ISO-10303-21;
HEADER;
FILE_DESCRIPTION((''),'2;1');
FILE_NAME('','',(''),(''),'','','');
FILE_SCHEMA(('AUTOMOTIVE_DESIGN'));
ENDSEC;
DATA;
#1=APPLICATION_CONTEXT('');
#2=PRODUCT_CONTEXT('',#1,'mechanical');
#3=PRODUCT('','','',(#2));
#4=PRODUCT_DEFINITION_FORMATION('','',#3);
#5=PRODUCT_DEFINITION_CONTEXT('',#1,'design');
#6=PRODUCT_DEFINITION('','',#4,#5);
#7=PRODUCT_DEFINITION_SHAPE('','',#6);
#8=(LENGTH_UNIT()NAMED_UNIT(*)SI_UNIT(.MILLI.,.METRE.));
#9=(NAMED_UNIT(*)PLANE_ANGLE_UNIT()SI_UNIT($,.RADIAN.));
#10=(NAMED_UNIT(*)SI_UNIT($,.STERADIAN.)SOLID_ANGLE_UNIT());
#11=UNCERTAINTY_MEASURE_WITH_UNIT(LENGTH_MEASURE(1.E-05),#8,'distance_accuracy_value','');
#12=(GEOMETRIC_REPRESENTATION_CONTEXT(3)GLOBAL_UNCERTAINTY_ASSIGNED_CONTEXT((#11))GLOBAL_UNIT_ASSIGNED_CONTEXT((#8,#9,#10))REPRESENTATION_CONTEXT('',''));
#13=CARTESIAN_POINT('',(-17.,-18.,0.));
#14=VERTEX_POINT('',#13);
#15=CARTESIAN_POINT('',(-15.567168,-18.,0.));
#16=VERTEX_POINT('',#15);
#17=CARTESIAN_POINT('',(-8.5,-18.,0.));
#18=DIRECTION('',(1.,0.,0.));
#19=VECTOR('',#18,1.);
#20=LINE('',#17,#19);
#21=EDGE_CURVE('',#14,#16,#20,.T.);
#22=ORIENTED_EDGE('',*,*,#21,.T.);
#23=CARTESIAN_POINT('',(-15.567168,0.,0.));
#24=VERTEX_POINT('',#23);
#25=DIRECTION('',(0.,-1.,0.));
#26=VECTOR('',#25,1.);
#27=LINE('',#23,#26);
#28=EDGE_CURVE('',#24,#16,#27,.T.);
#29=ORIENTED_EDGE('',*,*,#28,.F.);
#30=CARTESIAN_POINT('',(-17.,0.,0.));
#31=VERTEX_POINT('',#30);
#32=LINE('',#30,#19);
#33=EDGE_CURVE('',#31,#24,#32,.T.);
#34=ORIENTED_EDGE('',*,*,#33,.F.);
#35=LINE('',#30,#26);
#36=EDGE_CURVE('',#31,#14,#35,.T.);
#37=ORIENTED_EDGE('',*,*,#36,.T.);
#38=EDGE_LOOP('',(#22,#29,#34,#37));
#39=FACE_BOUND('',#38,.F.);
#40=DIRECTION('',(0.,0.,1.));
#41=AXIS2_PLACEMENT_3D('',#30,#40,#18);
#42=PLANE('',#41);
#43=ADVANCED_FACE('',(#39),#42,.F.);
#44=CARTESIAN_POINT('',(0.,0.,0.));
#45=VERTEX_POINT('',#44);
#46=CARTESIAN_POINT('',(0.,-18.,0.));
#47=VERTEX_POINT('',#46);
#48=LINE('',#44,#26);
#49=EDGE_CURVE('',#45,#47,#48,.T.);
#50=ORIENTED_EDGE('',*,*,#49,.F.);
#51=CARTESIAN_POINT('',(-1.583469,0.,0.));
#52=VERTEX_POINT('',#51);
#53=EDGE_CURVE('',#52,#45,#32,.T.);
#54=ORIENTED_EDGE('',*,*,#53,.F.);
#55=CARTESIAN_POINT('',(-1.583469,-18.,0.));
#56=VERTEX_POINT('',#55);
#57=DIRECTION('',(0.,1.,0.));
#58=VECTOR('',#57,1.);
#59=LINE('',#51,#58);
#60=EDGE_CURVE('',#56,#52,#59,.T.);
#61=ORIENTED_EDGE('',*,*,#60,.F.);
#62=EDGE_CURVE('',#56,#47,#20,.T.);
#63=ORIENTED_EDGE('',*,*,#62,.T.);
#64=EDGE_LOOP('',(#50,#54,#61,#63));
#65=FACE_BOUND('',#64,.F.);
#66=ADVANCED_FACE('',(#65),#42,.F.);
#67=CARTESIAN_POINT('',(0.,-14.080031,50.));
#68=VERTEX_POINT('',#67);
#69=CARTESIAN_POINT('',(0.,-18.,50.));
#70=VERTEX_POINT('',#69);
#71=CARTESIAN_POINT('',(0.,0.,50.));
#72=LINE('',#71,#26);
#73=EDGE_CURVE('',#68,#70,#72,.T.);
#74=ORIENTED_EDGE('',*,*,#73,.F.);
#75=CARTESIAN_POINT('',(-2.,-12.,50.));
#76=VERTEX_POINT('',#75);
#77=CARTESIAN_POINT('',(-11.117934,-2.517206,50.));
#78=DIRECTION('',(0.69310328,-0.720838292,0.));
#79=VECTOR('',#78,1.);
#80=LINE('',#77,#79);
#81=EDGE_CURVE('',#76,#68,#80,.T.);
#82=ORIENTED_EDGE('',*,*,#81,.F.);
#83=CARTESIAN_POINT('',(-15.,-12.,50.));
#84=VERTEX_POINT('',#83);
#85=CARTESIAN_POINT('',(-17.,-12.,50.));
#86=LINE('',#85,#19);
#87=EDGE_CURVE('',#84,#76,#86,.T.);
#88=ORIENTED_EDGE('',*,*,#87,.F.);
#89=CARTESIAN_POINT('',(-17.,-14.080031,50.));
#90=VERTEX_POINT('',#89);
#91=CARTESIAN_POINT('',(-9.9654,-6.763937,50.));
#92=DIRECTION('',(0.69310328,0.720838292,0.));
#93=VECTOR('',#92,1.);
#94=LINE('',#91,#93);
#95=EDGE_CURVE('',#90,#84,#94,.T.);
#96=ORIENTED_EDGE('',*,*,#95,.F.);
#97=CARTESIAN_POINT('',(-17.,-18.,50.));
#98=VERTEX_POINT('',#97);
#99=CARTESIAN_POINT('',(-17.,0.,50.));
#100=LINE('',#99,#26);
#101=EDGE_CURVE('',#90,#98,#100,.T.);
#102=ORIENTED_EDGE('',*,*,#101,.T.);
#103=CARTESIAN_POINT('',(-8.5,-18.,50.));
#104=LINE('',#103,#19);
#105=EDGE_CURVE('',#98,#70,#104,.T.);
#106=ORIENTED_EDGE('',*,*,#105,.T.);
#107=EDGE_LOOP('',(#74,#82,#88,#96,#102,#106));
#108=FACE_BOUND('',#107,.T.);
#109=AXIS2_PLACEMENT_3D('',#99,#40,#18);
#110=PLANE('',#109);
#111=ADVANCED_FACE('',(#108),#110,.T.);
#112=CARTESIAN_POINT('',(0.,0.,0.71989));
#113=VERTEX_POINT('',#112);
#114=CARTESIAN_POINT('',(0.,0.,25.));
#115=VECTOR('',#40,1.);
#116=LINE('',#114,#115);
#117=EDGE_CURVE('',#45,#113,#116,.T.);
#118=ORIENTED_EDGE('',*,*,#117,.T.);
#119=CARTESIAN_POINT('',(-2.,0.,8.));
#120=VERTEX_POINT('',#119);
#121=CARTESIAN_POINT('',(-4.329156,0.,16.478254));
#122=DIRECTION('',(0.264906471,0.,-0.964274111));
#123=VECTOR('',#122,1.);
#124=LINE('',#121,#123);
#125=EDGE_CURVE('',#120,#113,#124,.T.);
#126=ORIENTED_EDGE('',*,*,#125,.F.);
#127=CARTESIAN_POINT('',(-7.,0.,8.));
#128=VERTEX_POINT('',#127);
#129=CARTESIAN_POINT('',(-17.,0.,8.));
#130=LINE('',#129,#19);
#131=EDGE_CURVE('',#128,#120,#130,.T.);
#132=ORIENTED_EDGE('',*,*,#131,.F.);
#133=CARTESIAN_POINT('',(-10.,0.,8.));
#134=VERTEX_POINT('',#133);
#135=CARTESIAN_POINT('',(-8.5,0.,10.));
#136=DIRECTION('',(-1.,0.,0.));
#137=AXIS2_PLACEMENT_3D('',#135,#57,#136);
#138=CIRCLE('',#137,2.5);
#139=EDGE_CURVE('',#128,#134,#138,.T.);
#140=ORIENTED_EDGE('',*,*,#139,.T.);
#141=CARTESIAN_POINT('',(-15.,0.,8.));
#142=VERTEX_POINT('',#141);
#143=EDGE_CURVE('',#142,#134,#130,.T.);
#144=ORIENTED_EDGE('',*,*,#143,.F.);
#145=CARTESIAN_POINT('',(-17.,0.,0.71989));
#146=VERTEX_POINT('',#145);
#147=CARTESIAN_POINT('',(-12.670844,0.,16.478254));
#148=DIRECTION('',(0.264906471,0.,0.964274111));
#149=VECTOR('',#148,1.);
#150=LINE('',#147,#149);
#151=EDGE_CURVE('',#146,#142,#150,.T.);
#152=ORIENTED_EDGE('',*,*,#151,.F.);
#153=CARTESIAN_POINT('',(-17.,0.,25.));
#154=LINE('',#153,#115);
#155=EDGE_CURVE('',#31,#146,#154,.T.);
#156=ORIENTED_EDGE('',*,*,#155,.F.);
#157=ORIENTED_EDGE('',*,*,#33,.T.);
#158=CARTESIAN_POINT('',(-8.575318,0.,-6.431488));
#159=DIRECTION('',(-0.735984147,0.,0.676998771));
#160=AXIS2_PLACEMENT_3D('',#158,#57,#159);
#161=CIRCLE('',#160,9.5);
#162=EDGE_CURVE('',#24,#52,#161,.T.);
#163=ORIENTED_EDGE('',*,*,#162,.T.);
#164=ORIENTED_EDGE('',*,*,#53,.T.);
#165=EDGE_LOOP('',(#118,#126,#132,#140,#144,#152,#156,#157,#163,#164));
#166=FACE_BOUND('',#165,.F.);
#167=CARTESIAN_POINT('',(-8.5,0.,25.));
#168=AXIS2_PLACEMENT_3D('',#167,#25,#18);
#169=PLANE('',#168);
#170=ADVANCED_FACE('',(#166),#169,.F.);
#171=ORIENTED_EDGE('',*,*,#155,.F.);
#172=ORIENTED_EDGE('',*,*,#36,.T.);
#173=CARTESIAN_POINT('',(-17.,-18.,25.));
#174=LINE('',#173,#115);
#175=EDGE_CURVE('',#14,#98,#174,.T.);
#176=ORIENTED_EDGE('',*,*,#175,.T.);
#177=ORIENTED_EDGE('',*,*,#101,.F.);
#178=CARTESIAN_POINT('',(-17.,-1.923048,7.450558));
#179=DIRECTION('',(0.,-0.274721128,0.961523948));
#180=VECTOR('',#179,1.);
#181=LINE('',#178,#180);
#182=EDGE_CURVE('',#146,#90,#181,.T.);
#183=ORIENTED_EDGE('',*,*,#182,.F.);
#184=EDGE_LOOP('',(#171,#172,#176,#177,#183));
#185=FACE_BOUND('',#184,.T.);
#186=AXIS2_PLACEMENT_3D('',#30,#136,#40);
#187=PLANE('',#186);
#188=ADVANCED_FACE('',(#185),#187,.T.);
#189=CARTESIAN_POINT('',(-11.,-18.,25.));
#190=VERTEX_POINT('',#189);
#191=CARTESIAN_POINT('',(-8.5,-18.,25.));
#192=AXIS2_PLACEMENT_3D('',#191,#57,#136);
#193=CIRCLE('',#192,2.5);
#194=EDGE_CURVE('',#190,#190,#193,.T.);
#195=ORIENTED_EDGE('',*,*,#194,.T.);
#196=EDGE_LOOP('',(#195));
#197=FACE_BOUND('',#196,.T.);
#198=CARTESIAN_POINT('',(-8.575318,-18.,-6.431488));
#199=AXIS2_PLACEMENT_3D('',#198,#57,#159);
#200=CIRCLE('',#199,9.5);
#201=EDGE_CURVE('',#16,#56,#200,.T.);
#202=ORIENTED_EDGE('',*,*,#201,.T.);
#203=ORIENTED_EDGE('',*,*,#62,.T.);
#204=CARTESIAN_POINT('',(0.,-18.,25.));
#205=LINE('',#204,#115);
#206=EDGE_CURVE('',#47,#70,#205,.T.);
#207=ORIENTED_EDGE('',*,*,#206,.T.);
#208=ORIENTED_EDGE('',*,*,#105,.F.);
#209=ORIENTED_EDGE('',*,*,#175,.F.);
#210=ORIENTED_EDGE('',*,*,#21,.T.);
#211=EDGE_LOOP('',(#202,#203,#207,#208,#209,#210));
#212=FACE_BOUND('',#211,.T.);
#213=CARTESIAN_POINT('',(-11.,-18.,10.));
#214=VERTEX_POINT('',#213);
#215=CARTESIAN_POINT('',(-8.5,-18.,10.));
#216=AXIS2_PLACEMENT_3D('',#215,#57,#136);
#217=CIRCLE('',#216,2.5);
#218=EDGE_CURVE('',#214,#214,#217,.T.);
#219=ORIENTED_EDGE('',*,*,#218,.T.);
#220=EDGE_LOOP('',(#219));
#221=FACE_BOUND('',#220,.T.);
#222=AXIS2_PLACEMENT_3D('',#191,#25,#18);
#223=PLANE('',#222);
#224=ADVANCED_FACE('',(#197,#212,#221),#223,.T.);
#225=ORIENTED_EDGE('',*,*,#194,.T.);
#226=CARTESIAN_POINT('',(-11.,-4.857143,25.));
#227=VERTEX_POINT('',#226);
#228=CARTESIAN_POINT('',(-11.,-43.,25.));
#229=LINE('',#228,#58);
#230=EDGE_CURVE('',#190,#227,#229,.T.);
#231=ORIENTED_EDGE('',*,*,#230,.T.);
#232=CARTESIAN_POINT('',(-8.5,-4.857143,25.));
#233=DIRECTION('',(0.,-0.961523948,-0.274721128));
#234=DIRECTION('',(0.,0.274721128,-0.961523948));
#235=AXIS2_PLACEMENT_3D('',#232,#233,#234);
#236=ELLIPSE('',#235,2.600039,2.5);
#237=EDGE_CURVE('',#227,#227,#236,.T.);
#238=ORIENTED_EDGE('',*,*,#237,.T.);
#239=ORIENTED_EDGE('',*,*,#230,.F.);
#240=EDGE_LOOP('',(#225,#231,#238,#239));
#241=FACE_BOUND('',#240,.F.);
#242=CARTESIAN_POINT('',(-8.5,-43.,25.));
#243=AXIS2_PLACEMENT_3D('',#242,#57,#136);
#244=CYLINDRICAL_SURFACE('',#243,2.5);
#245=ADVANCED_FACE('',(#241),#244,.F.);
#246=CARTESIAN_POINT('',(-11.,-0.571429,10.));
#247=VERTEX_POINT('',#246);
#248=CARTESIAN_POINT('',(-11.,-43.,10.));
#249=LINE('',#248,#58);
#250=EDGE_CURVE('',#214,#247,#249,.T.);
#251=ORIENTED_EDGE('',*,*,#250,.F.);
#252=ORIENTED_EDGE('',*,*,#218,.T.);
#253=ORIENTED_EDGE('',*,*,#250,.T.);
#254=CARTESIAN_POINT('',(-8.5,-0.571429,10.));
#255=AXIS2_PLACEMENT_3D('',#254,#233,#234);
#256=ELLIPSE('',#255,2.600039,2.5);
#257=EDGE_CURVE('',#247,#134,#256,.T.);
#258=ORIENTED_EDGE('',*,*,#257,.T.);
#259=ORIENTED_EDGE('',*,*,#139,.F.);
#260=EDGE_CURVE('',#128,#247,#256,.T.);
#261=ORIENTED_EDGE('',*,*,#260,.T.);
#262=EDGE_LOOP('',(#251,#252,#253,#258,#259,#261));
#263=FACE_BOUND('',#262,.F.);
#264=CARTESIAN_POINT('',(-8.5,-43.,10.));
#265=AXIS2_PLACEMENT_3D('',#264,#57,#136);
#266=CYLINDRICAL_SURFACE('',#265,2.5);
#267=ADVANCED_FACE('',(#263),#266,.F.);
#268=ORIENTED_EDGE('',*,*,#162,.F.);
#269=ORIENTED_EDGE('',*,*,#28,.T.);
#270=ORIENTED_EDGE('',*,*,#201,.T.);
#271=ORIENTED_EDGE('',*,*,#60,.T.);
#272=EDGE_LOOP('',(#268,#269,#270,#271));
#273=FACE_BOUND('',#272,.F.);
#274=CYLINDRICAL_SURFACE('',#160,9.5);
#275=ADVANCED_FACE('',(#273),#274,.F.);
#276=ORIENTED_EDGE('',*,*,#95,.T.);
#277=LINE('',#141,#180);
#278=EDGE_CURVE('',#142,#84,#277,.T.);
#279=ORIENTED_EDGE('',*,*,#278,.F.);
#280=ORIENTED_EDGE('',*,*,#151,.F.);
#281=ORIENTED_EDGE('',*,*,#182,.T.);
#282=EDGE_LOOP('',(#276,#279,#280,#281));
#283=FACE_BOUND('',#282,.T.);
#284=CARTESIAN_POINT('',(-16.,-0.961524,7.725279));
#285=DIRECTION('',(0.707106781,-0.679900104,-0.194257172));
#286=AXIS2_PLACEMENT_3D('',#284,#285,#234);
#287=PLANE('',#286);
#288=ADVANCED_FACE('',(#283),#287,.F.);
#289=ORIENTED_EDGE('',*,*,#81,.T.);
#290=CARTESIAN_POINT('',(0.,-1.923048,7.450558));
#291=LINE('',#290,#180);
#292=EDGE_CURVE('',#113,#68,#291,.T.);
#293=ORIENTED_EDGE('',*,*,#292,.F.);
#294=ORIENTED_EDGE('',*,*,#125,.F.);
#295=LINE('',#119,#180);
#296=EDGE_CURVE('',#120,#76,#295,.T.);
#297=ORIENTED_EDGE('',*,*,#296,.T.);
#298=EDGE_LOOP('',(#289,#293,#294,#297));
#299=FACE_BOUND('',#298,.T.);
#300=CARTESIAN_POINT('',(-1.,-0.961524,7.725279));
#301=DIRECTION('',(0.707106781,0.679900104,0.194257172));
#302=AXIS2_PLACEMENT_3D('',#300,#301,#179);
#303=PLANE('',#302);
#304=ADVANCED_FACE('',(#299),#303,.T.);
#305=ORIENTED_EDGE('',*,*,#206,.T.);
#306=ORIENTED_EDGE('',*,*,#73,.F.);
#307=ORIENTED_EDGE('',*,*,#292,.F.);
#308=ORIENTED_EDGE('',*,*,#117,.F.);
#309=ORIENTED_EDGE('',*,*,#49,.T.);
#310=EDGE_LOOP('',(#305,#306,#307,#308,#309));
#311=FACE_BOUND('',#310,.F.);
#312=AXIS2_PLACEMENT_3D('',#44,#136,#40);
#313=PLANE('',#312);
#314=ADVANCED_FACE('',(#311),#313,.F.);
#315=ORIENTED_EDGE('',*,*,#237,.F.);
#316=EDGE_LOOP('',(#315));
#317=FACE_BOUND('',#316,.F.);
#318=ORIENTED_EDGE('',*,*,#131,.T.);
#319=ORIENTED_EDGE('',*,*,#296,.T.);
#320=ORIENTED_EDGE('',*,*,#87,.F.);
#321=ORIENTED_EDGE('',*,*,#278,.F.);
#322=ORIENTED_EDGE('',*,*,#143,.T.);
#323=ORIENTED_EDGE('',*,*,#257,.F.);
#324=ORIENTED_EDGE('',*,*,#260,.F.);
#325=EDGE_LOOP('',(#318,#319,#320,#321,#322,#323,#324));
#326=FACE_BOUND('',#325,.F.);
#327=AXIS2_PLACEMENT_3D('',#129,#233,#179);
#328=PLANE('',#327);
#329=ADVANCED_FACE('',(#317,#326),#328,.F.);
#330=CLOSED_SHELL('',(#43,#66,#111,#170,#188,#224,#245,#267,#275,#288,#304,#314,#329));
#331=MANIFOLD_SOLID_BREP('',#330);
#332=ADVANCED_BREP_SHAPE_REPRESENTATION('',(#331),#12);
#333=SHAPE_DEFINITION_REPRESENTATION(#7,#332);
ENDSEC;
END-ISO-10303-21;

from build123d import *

# Parameters (mm, degrees)
F0_W      = 17
F0_H      = 50
F1_DEPTH  = 18
F3_D      = 5
F3_DEPTH  = 25
F3_TIP    = 1.5021515476
F5_DEPTH  = 25
F6_R      = 9.5
F7_DEPTH  = 25
F8_R      = 9.5
F8_R_2    = 1.6285775441
F9_DEPTH  = 25
F10_R     = 9.5
F11_DEPTH = 25
F12_SIZE  = 2


with BuildPart() as f1:
    # F0 (on Front) → F1 (new body)
    with BuildSketch(Plane.XZ):
        with Locations((-8.5, 25)):
            Rectangle(F0_W, F0_H)
    extrude(amount=F1_DEPTH)

    # F3
    with Locations(Plane.XZ.offset(18)):
        with Locations((-8.5, 10), (-8.5, 25)):
            Hole(F3_D / 2, depth=F3_DEPTH)
            with Locations((0, 0, -(F3_DEPTH + F3_TIP / 2))):  # 118° drill point
                Cone(0, F3_D / 2, F3_TIP, mode=Mode.SUBTRACT)

    # F4 (on face) → F5 (cut)
    with BuildSketch(Plane(origin=(-17, 0, 0), x_dir=(0, -1, 0), z_dir=(-1, 0, 0))):
        Polygon((0, 50), (0, 8), (12, 50), align=None)
    extrude(amount=-F5_DEPTH, mode=Mode.SUBTRACT)

    # F6 (on Front) → F7 (cut)
    with BuildSketch(Plane.XZ):
        with Locations((-8.5753183812, -6.7173321731)):
            Circle(F6_R)
    extrude(amount=-F7_DEPTH, mode=Mode.SUBTRACT)

    # F8 (on Front) → F9 (cut)
    with BuildSketch(Plane.XZ):
        with Locations((-8.2726162836, -6.7173321731)):
            Circle(F8_R)
        with Locations((10.9988851703, -6.7173321731)):
            Circle(F8_R_2)
    extrude(amount=-F9_DEPTH, mode=Mode.SUBTRACT)

    # F10 (on face) → F11 (cut)
    with BuildSketch(Plane(origin=(0, 0, 0), x_dir=(-1, 0, 0), z_dir=(0, 1, 0))):
        with Locations((8.5753183812, -6.4314883202)):
            Circle(F10_R)
        with BuildLine():
            Line((1.5834689844, 0), (15.5671677779, 0))
            ThreePointArc((15.5671677779, 0), (8.5753183812, 3.0685116798), (1.5834689844, 0))
        make_face()
    extrude(amount=-F11_DEPTH, mode=Mode.SUBTRACT)

    # F12
    f12_edges = [f1.edges().sort_by_distance(p)[0] for p in [
        (0, -6, 29),
        (-17, -6, 29),
    ]]
    chamfer(f12_edges, length=F12_SIZE)


solid = f1.part
